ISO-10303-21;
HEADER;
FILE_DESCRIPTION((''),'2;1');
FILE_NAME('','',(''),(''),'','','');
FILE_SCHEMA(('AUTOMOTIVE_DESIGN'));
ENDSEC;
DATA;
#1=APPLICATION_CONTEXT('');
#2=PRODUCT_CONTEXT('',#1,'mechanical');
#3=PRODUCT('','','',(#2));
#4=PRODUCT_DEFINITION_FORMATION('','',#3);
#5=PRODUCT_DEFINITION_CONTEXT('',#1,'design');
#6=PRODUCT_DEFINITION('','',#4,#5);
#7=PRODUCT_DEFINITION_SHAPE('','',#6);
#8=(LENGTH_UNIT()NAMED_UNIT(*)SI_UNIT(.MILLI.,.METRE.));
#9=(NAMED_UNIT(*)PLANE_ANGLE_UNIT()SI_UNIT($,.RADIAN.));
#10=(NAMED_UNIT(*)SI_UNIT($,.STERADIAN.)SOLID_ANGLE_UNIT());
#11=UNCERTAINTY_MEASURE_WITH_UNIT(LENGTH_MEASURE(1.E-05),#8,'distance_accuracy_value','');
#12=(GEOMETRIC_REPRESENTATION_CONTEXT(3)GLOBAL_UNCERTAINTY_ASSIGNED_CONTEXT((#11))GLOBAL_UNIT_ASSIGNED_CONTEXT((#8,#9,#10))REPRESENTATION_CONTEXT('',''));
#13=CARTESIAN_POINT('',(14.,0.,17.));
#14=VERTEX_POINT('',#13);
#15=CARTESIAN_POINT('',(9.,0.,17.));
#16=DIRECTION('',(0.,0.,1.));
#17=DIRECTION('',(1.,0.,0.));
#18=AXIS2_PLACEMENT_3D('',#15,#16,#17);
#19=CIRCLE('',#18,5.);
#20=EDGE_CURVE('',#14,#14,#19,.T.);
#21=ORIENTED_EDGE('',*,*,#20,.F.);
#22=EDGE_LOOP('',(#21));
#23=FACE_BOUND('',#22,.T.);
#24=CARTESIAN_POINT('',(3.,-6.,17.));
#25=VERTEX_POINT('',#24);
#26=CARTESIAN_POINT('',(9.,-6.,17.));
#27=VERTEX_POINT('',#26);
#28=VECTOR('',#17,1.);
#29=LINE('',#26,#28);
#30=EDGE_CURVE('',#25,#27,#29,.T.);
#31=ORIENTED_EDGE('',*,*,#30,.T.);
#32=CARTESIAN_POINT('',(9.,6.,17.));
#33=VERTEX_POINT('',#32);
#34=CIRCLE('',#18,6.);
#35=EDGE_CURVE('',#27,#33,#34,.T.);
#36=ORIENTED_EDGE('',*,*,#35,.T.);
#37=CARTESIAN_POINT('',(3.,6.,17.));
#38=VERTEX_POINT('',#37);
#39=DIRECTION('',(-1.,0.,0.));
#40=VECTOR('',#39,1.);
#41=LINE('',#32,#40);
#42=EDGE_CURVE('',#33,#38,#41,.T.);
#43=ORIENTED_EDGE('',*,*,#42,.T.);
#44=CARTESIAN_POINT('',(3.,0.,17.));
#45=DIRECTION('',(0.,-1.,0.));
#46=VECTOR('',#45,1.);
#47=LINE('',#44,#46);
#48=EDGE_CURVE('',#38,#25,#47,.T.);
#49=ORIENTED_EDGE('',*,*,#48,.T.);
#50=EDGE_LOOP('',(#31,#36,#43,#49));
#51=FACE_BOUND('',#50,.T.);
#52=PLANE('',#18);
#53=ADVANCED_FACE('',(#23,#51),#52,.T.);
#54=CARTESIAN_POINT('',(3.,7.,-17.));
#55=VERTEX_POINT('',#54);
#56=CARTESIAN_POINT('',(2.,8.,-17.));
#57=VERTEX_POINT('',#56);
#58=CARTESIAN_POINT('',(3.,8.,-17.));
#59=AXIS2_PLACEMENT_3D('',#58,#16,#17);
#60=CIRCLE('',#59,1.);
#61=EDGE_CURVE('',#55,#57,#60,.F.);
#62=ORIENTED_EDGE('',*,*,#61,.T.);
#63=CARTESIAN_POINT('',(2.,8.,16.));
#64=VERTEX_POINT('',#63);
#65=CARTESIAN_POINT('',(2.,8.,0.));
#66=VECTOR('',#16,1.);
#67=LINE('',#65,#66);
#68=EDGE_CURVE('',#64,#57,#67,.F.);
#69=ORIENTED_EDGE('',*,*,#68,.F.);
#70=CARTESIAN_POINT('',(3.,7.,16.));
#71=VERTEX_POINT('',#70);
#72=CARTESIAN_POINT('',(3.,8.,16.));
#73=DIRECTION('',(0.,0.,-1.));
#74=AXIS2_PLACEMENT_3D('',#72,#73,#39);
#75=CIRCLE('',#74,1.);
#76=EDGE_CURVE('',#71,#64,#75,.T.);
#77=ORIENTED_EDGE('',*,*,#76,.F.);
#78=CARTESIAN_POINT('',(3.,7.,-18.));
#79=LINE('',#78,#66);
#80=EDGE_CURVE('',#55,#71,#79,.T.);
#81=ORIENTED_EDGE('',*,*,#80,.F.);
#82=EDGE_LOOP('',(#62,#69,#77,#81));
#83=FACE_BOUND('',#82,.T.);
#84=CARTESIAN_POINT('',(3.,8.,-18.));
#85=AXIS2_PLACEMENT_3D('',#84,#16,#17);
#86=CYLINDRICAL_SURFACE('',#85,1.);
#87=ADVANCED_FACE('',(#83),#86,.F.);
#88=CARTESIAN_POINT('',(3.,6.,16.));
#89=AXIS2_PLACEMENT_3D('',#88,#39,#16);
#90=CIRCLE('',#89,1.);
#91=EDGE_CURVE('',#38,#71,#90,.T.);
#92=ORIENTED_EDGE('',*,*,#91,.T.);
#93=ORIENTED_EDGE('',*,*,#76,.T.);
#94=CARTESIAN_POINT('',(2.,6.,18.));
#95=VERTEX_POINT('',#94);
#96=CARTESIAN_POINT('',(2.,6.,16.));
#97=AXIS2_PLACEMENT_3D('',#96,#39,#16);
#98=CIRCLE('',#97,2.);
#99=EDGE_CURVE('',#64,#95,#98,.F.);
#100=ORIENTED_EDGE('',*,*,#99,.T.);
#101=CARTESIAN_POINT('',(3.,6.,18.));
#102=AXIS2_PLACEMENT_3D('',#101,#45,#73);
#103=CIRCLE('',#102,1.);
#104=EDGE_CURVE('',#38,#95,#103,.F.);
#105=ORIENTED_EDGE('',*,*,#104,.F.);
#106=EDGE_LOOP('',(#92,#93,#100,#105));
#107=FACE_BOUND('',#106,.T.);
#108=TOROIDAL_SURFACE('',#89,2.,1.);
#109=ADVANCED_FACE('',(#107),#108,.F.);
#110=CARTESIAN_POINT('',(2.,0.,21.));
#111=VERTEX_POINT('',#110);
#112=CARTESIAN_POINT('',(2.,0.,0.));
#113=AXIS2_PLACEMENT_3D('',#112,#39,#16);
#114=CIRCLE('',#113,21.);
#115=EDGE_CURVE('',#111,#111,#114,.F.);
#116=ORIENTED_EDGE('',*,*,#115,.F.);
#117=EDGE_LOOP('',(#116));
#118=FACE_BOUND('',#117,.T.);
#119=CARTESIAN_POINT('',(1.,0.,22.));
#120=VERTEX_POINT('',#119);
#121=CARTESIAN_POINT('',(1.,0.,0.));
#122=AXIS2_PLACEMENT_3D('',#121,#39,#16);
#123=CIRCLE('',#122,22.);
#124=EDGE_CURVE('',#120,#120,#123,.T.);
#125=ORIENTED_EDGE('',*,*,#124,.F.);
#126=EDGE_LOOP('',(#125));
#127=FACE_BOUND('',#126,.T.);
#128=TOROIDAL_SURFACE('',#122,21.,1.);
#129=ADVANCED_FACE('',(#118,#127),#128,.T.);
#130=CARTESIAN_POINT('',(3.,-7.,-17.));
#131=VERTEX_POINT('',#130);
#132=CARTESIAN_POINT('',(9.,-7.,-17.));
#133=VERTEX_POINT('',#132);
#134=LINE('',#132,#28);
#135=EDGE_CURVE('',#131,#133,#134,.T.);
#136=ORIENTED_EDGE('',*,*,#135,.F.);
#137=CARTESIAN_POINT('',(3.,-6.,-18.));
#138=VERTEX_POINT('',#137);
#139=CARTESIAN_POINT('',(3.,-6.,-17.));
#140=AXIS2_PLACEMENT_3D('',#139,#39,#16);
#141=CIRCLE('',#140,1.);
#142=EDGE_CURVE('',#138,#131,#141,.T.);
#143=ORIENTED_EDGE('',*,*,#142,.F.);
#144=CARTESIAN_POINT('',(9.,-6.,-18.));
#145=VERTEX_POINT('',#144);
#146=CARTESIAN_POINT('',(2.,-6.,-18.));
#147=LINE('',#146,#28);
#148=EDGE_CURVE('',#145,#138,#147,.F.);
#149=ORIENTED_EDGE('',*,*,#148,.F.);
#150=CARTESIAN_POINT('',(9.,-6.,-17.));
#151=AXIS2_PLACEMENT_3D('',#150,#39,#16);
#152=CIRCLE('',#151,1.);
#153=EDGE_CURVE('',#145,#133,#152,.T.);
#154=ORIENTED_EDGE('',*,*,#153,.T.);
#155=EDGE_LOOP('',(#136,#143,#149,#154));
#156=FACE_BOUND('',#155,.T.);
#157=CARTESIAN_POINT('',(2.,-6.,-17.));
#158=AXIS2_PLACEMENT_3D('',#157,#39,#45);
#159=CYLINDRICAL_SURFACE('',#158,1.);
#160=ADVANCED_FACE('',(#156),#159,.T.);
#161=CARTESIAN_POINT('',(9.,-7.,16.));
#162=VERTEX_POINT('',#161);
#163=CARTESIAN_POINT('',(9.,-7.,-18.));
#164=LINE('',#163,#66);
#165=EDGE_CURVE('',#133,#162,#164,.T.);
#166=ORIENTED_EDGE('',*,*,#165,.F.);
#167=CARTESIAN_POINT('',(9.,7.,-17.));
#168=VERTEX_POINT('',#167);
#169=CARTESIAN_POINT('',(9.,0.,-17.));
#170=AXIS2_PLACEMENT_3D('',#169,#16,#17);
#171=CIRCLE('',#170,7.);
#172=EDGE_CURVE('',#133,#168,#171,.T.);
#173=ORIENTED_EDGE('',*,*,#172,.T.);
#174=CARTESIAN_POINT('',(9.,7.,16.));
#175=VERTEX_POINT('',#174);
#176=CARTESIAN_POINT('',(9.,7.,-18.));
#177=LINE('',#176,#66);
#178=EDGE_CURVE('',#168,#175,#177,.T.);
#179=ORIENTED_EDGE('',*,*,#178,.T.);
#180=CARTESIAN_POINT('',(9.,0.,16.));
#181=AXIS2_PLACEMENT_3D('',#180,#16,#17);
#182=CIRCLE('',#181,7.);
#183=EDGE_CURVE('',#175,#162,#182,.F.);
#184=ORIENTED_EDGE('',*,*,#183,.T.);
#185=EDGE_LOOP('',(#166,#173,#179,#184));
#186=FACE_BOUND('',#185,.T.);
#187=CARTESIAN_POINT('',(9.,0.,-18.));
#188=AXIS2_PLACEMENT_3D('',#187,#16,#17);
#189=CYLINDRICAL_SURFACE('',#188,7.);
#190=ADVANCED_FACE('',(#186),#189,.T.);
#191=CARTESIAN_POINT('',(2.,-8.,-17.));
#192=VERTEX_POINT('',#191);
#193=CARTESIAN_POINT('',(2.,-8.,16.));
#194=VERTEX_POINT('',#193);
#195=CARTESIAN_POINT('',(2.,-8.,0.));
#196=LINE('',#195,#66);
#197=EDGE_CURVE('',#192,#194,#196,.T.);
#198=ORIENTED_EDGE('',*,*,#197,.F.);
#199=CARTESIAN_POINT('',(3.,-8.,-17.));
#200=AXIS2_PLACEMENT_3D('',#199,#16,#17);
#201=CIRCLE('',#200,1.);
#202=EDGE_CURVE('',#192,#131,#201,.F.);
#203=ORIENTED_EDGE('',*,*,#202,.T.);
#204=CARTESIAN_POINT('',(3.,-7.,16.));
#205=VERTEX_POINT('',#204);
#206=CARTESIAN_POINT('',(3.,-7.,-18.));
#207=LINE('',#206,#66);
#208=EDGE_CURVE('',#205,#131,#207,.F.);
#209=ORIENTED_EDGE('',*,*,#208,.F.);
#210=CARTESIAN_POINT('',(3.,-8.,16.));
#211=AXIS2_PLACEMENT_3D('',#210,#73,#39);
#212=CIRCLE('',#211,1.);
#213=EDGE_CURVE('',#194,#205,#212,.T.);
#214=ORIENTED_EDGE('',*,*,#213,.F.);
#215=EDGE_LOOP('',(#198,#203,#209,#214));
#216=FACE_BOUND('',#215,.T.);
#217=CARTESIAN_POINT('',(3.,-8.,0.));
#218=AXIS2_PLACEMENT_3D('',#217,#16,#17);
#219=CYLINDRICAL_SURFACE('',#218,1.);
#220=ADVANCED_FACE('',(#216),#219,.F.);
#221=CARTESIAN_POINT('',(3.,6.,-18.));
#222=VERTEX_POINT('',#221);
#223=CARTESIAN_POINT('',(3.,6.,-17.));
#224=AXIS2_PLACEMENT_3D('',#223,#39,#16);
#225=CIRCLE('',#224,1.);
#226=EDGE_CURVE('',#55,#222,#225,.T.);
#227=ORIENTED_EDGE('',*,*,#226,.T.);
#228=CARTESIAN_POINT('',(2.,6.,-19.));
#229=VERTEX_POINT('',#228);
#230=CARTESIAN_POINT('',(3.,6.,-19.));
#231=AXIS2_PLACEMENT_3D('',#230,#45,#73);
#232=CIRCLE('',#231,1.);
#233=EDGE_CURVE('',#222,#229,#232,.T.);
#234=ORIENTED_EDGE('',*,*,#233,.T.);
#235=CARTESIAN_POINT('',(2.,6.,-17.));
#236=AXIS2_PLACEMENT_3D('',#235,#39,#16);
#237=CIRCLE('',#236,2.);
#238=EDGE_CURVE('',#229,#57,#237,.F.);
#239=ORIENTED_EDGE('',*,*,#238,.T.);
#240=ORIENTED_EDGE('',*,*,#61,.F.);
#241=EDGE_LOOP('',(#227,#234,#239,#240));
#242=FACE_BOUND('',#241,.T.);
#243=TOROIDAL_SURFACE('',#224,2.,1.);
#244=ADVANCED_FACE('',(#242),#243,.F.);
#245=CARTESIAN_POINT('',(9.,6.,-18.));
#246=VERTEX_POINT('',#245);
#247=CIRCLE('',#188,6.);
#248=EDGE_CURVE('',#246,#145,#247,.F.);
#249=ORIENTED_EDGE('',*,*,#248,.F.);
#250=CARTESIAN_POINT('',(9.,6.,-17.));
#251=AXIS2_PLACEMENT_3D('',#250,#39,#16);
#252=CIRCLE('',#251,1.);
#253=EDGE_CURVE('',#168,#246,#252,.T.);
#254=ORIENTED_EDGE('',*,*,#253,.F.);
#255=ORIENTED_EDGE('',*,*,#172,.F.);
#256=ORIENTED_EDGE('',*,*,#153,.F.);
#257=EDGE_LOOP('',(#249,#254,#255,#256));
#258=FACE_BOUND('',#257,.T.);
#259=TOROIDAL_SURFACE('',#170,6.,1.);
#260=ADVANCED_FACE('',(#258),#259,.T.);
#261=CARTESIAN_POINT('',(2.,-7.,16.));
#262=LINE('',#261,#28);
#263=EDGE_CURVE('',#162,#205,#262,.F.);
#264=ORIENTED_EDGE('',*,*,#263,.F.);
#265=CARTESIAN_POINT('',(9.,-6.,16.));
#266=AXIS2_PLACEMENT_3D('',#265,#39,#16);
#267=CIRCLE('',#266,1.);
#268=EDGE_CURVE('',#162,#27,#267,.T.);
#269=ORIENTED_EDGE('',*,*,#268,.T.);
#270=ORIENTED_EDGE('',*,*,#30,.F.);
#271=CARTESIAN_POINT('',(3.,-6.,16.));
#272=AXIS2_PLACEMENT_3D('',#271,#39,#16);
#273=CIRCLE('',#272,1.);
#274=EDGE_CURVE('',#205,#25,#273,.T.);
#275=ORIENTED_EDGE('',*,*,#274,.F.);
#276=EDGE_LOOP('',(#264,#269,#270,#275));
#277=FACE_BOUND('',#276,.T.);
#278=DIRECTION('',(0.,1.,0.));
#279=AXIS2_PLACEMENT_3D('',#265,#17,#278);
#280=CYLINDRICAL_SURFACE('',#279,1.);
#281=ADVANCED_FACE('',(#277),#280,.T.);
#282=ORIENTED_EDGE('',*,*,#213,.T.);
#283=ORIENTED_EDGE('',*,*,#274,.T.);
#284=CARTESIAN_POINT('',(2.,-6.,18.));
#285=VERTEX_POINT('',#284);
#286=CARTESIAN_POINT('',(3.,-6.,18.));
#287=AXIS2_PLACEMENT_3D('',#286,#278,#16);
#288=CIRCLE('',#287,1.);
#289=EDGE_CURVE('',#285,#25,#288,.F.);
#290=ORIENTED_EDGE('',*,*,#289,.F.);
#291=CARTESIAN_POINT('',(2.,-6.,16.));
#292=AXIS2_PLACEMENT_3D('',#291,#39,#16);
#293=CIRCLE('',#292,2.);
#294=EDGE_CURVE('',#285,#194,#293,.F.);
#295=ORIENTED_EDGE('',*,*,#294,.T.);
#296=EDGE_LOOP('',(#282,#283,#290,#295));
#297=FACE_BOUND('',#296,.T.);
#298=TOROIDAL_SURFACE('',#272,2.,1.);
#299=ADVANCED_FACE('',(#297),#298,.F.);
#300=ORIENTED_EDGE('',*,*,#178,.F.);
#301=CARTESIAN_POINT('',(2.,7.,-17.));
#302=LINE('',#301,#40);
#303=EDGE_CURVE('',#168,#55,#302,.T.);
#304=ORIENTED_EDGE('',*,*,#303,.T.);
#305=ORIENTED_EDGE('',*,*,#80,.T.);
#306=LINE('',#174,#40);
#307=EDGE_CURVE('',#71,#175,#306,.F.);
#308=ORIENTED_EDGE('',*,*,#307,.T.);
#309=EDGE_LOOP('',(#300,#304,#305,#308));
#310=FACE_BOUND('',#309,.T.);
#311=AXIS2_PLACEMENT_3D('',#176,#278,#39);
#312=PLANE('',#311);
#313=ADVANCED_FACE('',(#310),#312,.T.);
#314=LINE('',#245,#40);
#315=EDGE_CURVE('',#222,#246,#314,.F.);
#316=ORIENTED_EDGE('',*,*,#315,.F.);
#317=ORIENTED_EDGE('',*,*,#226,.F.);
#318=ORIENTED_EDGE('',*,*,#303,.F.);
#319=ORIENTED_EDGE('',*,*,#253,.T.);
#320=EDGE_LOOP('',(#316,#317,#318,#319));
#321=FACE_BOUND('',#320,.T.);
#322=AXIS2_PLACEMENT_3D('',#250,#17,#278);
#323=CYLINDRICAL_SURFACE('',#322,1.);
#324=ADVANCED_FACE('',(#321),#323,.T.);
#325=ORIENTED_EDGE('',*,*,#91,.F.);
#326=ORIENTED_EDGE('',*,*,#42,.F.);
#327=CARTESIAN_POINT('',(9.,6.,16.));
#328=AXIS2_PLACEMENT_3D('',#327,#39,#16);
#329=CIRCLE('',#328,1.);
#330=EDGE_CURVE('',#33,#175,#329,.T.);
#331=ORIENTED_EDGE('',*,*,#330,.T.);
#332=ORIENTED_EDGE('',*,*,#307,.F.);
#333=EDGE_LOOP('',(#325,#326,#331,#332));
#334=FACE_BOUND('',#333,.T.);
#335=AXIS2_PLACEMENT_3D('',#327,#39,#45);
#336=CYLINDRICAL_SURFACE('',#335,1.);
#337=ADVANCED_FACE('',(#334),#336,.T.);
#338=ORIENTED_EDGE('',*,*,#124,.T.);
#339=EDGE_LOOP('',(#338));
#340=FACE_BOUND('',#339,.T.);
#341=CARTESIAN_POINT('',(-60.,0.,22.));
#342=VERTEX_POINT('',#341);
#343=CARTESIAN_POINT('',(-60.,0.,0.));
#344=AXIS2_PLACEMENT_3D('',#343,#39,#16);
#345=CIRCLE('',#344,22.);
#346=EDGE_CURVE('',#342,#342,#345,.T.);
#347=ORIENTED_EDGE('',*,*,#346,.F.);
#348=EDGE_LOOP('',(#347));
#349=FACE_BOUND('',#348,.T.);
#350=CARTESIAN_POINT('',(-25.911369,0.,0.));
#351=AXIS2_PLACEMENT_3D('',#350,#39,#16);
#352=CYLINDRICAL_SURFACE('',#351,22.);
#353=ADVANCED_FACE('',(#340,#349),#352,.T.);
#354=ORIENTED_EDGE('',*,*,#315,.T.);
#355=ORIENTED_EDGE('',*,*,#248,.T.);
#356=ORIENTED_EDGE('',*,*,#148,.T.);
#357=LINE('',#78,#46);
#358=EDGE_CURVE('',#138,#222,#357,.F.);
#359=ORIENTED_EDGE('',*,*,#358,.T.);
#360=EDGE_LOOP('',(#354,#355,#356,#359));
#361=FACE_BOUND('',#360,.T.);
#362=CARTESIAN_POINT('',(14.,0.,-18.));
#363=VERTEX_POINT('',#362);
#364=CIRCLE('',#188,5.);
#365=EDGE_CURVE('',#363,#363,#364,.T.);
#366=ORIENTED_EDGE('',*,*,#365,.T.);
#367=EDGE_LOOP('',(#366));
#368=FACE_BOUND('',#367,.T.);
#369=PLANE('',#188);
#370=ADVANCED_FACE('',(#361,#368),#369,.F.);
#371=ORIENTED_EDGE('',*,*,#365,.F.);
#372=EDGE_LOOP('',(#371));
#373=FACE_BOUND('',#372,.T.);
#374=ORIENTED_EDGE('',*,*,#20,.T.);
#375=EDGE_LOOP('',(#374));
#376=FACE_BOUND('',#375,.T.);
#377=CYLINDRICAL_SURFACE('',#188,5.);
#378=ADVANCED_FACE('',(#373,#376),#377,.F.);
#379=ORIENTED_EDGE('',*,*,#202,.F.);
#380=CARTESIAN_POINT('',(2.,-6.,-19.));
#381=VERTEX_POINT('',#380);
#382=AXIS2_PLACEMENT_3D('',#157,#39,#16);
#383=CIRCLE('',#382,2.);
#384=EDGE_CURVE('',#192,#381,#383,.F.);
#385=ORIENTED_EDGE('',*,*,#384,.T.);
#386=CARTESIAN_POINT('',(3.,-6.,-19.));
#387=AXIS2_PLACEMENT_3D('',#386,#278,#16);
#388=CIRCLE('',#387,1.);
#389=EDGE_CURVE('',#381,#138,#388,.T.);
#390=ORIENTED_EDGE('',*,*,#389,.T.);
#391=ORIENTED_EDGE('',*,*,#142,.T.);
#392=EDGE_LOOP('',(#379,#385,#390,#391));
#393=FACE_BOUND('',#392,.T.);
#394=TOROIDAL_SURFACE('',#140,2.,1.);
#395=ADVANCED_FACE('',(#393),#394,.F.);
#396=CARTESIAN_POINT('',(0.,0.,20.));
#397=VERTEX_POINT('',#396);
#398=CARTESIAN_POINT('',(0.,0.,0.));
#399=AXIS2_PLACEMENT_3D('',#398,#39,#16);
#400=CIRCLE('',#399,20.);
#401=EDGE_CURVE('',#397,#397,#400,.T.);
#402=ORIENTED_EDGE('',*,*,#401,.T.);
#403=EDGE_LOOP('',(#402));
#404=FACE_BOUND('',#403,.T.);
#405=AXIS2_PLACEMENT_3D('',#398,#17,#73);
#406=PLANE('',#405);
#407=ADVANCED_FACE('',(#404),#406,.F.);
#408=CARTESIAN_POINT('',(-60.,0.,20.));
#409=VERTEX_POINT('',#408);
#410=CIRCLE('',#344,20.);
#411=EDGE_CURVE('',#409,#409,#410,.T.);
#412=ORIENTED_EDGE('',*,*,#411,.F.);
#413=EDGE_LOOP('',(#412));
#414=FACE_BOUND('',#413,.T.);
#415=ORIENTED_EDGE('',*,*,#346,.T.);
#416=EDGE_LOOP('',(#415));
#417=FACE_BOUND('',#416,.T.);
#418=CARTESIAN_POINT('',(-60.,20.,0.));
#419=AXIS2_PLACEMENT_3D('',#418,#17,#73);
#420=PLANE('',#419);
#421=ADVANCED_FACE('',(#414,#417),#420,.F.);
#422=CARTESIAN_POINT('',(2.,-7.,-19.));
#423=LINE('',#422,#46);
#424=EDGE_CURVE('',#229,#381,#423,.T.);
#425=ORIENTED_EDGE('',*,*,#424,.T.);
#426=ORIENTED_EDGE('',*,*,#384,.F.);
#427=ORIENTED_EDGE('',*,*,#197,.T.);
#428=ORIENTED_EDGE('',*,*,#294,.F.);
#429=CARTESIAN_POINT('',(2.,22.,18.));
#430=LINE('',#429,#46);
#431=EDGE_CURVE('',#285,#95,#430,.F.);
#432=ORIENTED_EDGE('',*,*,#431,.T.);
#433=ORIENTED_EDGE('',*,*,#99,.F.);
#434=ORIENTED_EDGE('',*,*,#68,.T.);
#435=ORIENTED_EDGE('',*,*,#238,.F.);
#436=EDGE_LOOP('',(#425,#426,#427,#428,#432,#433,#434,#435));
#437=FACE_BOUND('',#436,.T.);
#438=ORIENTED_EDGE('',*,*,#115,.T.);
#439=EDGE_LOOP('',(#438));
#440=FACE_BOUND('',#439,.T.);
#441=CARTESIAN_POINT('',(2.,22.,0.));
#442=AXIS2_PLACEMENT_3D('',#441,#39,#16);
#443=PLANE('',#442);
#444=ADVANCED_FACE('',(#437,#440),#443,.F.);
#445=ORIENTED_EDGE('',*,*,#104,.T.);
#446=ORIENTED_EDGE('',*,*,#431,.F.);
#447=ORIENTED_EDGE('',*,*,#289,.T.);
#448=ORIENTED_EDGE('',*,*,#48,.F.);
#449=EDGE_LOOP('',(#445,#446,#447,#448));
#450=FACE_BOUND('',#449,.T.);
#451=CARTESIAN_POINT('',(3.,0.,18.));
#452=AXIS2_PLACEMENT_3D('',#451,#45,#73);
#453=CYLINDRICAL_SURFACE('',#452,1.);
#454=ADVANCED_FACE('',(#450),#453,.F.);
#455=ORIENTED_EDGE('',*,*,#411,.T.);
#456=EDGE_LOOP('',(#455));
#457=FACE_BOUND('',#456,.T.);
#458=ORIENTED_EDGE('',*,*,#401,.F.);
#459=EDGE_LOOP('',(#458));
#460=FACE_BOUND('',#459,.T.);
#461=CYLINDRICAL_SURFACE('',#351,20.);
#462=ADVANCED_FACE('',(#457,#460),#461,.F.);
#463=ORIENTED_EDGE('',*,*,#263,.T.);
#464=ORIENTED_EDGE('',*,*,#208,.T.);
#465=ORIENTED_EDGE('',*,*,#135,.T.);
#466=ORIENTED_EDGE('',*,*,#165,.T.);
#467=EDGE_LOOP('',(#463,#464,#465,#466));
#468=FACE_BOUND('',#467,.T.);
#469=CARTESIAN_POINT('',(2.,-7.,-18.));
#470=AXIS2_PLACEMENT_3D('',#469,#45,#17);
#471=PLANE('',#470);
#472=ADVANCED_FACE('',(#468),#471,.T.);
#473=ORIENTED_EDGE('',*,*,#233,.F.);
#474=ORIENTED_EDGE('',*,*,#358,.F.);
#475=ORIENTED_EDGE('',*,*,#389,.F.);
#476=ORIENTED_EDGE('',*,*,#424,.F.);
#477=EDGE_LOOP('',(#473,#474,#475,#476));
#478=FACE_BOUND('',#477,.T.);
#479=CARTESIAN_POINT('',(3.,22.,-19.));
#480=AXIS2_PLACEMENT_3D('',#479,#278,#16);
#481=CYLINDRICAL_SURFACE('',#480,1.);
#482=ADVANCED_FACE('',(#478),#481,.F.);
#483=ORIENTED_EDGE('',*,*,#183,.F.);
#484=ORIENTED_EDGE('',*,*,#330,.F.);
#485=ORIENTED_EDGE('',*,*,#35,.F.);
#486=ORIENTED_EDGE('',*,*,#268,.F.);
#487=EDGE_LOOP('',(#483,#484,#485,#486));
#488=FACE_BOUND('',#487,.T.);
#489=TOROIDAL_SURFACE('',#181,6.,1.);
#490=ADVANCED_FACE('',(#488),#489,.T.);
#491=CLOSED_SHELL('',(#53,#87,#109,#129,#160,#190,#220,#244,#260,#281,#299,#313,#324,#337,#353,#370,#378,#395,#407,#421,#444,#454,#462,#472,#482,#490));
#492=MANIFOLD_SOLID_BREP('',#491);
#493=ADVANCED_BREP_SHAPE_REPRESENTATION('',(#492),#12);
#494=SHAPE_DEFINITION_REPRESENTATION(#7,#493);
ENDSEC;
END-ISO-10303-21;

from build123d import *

# Parameters (mm, degrees)
SKETCH3_R           = 5
BOSS_EXTRUDE2_DEPTH = 35
FILLET2_R           = 1
FILLET3_R           = 1


with BuildPart() as part:
    # Sketch1 → Revolve1 (revolve)
    with BuildSketch(Plane.XY, mode=Mode.PRIVATE) as revolve1_sk:
        Polygon((2, 22), (2, 0), (0, 0), (0, 20), (-60, 20), (-60, 22), align=None)
    revolve(revolve1_sk.sketch.rotate(Axis((-25.911369332, 0, 0), (1, 0, 0)), 90), axis=Axis((-25.911369332, 0, 0), (1, 0, 0)))

    # Sketch3 → Boss-Extrude2 (add)
    with BuildSketch(Plane.XY.offset(17)):
        with BuildLine():
            Line((9, 7), (2, 7))
            Line((2, 7), (2, -7))
            Line((2, -7), (9, -7))
            ThreePointArc((9, -7), (16, 0), (9, 7))
        make_face()
        with Locations((9, 0)):
            Circle(SKETCH3_R, mode=Mode.SUBTRACT)
    extrude(amount=-BOSS_EXTRUDE2_DEPTH)

    # Fillet2
    fillet2_edges = [part.edges().sort_by_distance(p)[0] for p in [
        (2, 0, -22),
    ]]
    fillet(fillet2_edges, radius=FILLET2_R)

    # Fillet3
    fillet3_edges = [part.edges().sort_by_distance(p)[0] for p in [
        (16, 0, -18),
        (5.5, -7, -18),
        (2, 0, -18),
        (2, -7, -0.5),
        (5.5, 7, -18),
        (2, 7, -0.5),
        (16, 0, 17),
        (5.5, 7, 17),
        (2, 0, 17),
        (5.5, -7, 17),
    ]]
    fillet(fillet3_edges, radius=FILLET3_R)


solid = part.part
